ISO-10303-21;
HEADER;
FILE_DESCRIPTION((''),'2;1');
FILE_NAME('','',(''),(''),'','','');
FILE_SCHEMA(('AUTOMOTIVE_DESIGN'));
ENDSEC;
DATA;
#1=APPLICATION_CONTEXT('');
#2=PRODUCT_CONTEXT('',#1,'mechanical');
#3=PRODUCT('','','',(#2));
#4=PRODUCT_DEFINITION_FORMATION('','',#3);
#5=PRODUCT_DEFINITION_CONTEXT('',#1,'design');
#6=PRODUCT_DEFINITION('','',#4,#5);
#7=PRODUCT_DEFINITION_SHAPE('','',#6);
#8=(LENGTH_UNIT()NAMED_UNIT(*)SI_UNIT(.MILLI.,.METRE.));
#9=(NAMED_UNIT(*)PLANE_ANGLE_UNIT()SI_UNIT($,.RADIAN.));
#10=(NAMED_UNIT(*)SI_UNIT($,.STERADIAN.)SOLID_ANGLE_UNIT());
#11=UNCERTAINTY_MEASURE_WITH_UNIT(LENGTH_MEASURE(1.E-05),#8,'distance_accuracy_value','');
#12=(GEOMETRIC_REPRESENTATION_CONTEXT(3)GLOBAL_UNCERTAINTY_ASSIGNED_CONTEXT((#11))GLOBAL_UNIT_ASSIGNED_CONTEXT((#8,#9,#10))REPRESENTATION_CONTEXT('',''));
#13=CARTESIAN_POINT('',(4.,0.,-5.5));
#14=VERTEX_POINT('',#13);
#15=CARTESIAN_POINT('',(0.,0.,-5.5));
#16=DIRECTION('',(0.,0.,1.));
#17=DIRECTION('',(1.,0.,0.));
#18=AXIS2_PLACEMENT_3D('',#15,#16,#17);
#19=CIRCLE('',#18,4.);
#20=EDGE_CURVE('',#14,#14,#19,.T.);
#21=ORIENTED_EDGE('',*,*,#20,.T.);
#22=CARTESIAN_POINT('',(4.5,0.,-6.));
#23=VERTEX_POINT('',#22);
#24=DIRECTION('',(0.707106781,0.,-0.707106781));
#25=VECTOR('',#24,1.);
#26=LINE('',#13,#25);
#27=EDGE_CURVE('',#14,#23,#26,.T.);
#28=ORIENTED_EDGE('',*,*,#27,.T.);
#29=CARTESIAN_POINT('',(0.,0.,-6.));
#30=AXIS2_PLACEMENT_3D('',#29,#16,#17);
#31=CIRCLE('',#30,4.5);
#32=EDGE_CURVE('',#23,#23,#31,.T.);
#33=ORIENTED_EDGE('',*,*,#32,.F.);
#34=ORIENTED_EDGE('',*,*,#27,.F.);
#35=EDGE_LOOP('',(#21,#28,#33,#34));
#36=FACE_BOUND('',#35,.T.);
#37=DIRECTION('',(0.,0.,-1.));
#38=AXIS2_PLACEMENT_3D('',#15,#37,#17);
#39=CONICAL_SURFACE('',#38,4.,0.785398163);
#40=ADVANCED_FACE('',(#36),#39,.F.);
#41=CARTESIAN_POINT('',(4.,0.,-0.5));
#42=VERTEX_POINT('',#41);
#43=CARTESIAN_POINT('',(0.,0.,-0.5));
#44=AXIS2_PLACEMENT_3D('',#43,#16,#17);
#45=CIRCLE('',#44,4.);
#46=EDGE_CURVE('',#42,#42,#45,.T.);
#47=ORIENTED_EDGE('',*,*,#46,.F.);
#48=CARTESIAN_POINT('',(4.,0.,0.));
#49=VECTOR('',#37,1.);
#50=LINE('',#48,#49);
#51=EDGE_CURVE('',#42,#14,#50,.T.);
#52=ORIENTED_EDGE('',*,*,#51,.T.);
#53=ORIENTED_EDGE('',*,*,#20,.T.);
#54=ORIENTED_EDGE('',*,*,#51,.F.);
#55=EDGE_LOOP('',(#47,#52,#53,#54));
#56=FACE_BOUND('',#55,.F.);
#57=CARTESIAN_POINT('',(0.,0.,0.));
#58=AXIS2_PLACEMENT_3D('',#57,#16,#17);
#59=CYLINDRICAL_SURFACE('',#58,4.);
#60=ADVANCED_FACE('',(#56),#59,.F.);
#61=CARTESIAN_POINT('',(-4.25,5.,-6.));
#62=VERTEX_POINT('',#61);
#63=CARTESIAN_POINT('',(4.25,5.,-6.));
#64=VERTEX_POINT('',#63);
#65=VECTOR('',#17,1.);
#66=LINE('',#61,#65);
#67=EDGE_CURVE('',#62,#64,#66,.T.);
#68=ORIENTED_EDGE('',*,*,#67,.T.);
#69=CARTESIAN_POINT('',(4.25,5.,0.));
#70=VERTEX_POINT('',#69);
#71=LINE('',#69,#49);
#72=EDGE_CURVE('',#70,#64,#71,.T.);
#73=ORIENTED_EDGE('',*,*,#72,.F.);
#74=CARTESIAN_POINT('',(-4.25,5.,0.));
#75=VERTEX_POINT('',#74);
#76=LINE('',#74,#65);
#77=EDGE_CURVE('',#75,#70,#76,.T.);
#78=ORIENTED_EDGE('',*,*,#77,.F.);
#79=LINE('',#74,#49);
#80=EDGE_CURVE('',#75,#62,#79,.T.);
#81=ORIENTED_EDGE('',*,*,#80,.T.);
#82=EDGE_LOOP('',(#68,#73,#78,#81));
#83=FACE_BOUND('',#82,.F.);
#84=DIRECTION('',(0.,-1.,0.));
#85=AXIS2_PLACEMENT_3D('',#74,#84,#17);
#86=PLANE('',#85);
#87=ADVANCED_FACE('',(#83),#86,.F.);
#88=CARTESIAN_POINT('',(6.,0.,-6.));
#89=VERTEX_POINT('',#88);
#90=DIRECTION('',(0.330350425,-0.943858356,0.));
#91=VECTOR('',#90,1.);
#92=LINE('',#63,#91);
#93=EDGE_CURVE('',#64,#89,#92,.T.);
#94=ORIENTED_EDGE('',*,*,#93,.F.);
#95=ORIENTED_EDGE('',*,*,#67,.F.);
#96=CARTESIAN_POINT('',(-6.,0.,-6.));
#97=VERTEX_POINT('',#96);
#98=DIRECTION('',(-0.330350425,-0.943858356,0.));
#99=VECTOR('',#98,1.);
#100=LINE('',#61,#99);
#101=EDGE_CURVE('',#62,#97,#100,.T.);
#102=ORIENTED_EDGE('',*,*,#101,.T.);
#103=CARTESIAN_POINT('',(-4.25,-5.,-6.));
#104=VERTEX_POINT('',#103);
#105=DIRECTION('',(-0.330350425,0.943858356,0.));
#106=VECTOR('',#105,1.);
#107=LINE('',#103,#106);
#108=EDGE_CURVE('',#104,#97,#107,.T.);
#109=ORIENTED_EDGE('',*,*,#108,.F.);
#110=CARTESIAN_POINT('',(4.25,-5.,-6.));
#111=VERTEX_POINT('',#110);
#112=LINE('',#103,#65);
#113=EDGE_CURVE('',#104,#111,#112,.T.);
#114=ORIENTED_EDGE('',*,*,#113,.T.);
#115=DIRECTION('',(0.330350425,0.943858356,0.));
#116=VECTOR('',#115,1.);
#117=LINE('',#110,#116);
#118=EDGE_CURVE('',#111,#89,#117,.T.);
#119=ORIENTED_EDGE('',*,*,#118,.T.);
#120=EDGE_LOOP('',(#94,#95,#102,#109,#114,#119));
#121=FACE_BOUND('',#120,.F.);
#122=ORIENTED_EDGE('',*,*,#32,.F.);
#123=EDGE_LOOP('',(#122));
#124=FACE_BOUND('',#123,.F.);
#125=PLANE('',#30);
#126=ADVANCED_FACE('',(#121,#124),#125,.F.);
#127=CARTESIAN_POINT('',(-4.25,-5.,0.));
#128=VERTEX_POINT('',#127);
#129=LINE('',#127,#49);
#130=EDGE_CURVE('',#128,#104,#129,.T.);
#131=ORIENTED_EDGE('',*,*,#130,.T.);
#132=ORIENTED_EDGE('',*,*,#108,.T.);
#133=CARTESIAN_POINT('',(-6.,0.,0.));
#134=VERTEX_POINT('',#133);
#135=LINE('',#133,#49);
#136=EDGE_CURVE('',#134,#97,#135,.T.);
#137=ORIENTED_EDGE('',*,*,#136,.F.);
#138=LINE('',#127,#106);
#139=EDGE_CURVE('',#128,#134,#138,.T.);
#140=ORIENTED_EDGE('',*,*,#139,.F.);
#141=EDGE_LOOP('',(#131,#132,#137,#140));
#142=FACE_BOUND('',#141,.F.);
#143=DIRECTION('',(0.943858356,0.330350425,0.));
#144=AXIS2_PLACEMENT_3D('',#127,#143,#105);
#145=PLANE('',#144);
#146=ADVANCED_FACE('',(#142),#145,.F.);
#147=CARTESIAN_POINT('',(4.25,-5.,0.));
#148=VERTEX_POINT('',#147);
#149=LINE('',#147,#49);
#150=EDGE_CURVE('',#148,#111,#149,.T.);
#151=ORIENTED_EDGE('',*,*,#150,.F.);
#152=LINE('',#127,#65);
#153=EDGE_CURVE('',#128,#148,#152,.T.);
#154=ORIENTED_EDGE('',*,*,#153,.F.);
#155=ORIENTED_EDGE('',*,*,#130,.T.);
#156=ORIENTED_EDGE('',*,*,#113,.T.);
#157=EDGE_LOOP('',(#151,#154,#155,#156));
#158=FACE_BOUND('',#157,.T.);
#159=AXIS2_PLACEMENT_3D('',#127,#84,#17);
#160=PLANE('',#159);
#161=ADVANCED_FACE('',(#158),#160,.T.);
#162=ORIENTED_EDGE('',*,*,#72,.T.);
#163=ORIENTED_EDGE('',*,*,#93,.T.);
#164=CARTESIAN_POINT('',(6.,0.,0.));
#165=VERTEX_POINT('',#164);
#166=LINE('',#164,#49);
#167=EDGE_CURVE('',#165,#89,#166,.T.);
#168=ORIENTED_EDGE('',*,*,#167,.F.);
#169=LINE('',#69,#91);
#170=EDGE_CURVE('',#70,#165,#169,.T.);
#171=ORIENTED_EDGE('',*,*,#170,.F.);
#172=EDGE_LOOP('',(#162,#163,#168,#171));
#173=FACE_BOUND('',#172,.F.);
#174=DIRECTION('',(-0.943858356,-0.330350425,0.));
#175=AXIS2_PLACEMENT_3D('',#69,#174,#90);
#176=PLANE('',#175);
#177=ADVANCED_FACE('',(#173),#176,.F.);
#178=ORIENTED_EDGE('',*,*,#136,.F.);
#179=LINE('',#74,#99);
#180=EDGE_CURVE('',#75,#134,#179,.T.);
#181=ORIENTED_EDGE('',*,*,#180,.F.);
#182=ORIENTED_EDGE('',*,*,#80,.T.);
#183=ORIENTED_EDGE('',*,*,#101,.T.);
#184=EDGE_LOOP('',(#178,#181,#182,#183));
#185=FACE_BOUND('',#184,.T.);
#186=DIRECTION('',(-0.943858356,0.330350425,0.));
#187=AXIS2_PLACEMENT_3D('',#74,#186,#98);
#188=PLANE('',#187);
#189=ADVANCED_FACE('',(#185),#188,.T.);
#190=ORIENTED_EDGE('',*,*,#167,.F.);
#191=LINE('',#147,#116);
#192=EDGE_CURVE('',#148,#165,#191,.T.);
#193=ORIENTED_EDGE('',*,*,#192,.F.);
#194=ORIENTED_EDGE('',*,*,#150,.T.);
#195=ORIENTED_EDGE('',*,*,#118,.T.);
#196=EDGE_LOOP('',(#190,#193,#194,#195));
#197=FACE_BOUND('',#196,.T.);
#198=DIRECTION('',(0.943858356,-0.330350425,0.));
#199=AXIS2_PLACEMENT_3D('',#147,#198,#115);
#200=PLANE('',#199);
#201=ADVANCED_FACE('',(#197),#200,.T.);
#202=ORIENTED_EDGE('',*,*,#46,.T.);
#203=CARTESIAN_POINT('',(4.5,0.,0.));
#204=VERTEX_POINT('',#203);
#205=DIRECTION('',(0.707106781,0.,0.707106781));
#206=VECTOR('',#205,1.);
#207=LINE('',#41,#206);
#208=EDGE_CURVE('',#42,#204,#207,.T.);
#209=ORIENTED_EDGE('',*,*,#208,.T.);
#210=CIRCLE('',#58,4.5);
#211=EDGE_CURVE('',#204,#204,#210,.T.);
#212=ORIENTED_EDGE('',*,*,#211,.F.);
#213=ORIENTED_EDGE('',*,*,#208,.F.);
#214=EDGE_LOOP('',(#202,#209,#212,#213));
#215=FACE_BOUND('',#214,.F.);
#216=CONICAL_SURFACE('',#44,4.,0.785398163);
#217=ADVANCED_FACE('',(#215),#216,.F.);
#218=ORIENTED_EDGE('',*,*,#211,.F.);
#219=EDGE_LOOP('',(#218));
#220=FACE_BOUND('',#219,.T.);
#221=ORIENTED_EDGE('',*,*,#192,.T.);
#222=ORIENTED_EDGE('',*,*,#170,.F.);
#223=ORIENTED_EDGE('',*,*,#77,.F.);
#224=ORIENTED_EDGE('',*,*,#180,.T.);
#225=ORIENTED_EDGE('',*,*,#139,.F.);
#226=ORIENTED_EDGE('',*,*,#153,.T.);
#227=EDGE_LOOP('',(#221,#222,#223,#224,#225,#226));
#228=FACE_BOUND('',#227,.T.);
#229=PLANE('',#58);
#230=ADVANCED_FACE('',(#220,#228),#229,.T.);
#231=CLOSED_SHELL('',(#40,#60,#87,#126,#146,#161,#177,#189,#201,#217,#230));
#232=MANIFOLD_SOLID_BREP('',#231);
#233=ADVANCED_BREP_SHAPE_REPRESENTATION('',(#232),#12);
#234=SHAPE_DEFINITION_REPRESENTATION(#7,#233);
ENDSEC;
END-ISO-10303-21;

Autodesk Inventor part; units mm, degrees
ref_plane "YZ Plane" through (0, 0, 0) normal (1, 0, 0) x (0, 1, 0)
ref_plane "XZ Plane" through (0, 0, 0) normal (0, 1, 0) x (-1, 0, 0)
ref_plane "XY Plane" through (0, 0, 0) normal (0, 0, 1) x (1, 0, 0)
sketch "Boceto1" plane through (0, 0, 0) normal (0, 0, 1) x (1, 0, 0)
  circle A0 centre (0, 0) radius 4
  line L0 (-37.8416, 0) -> (37.8416, 0) construction
  line L1 (0, 25.1226) -> (0, -25.1226) construction
  line L2 (-4.25, 5) -> (4.25, 5)
  line L3 (-4.25, -5) -> (4.25, -5)
  line L4 (-4.25, 5) -> (-6, 0)
  line L5 (-4.25, -5) -> (-6, 0)
  line L6 (4.25, 5) -> (6, 0)
  line L7 (4.25, -5) -> (6, 0)
  point P0 (0, 5)
  point P1 (0, -5)
  dimension "d0" = 8
  dimension "d1" = 8.5
  dimension "d2" = 8.5
  dimension "d3" = 5
  dimension "d4" = 5
  dimension "d5" = 6
  dimension "d6" = 6
extrude "Extrusión1" add sketch "Boceto1" against normal blind 6
thread "Rosca1" size "M8x0.5" class "6H" standard "ANSI Metric M Profile" length 14
chamfer "Chaflán1" distance 0.5 angle 45 1 edges at (-4, 0, 0)
chamfer "Chaflán2" distance 0.5 angle 45 1 edges at (-4, 0, -6)
equation "\"d2\" = d1"
equation "\"d4\" = d3"
properties part number "2-HUDSON-8-35-TDR HAND PUMP M8x5 PIPE NU"
